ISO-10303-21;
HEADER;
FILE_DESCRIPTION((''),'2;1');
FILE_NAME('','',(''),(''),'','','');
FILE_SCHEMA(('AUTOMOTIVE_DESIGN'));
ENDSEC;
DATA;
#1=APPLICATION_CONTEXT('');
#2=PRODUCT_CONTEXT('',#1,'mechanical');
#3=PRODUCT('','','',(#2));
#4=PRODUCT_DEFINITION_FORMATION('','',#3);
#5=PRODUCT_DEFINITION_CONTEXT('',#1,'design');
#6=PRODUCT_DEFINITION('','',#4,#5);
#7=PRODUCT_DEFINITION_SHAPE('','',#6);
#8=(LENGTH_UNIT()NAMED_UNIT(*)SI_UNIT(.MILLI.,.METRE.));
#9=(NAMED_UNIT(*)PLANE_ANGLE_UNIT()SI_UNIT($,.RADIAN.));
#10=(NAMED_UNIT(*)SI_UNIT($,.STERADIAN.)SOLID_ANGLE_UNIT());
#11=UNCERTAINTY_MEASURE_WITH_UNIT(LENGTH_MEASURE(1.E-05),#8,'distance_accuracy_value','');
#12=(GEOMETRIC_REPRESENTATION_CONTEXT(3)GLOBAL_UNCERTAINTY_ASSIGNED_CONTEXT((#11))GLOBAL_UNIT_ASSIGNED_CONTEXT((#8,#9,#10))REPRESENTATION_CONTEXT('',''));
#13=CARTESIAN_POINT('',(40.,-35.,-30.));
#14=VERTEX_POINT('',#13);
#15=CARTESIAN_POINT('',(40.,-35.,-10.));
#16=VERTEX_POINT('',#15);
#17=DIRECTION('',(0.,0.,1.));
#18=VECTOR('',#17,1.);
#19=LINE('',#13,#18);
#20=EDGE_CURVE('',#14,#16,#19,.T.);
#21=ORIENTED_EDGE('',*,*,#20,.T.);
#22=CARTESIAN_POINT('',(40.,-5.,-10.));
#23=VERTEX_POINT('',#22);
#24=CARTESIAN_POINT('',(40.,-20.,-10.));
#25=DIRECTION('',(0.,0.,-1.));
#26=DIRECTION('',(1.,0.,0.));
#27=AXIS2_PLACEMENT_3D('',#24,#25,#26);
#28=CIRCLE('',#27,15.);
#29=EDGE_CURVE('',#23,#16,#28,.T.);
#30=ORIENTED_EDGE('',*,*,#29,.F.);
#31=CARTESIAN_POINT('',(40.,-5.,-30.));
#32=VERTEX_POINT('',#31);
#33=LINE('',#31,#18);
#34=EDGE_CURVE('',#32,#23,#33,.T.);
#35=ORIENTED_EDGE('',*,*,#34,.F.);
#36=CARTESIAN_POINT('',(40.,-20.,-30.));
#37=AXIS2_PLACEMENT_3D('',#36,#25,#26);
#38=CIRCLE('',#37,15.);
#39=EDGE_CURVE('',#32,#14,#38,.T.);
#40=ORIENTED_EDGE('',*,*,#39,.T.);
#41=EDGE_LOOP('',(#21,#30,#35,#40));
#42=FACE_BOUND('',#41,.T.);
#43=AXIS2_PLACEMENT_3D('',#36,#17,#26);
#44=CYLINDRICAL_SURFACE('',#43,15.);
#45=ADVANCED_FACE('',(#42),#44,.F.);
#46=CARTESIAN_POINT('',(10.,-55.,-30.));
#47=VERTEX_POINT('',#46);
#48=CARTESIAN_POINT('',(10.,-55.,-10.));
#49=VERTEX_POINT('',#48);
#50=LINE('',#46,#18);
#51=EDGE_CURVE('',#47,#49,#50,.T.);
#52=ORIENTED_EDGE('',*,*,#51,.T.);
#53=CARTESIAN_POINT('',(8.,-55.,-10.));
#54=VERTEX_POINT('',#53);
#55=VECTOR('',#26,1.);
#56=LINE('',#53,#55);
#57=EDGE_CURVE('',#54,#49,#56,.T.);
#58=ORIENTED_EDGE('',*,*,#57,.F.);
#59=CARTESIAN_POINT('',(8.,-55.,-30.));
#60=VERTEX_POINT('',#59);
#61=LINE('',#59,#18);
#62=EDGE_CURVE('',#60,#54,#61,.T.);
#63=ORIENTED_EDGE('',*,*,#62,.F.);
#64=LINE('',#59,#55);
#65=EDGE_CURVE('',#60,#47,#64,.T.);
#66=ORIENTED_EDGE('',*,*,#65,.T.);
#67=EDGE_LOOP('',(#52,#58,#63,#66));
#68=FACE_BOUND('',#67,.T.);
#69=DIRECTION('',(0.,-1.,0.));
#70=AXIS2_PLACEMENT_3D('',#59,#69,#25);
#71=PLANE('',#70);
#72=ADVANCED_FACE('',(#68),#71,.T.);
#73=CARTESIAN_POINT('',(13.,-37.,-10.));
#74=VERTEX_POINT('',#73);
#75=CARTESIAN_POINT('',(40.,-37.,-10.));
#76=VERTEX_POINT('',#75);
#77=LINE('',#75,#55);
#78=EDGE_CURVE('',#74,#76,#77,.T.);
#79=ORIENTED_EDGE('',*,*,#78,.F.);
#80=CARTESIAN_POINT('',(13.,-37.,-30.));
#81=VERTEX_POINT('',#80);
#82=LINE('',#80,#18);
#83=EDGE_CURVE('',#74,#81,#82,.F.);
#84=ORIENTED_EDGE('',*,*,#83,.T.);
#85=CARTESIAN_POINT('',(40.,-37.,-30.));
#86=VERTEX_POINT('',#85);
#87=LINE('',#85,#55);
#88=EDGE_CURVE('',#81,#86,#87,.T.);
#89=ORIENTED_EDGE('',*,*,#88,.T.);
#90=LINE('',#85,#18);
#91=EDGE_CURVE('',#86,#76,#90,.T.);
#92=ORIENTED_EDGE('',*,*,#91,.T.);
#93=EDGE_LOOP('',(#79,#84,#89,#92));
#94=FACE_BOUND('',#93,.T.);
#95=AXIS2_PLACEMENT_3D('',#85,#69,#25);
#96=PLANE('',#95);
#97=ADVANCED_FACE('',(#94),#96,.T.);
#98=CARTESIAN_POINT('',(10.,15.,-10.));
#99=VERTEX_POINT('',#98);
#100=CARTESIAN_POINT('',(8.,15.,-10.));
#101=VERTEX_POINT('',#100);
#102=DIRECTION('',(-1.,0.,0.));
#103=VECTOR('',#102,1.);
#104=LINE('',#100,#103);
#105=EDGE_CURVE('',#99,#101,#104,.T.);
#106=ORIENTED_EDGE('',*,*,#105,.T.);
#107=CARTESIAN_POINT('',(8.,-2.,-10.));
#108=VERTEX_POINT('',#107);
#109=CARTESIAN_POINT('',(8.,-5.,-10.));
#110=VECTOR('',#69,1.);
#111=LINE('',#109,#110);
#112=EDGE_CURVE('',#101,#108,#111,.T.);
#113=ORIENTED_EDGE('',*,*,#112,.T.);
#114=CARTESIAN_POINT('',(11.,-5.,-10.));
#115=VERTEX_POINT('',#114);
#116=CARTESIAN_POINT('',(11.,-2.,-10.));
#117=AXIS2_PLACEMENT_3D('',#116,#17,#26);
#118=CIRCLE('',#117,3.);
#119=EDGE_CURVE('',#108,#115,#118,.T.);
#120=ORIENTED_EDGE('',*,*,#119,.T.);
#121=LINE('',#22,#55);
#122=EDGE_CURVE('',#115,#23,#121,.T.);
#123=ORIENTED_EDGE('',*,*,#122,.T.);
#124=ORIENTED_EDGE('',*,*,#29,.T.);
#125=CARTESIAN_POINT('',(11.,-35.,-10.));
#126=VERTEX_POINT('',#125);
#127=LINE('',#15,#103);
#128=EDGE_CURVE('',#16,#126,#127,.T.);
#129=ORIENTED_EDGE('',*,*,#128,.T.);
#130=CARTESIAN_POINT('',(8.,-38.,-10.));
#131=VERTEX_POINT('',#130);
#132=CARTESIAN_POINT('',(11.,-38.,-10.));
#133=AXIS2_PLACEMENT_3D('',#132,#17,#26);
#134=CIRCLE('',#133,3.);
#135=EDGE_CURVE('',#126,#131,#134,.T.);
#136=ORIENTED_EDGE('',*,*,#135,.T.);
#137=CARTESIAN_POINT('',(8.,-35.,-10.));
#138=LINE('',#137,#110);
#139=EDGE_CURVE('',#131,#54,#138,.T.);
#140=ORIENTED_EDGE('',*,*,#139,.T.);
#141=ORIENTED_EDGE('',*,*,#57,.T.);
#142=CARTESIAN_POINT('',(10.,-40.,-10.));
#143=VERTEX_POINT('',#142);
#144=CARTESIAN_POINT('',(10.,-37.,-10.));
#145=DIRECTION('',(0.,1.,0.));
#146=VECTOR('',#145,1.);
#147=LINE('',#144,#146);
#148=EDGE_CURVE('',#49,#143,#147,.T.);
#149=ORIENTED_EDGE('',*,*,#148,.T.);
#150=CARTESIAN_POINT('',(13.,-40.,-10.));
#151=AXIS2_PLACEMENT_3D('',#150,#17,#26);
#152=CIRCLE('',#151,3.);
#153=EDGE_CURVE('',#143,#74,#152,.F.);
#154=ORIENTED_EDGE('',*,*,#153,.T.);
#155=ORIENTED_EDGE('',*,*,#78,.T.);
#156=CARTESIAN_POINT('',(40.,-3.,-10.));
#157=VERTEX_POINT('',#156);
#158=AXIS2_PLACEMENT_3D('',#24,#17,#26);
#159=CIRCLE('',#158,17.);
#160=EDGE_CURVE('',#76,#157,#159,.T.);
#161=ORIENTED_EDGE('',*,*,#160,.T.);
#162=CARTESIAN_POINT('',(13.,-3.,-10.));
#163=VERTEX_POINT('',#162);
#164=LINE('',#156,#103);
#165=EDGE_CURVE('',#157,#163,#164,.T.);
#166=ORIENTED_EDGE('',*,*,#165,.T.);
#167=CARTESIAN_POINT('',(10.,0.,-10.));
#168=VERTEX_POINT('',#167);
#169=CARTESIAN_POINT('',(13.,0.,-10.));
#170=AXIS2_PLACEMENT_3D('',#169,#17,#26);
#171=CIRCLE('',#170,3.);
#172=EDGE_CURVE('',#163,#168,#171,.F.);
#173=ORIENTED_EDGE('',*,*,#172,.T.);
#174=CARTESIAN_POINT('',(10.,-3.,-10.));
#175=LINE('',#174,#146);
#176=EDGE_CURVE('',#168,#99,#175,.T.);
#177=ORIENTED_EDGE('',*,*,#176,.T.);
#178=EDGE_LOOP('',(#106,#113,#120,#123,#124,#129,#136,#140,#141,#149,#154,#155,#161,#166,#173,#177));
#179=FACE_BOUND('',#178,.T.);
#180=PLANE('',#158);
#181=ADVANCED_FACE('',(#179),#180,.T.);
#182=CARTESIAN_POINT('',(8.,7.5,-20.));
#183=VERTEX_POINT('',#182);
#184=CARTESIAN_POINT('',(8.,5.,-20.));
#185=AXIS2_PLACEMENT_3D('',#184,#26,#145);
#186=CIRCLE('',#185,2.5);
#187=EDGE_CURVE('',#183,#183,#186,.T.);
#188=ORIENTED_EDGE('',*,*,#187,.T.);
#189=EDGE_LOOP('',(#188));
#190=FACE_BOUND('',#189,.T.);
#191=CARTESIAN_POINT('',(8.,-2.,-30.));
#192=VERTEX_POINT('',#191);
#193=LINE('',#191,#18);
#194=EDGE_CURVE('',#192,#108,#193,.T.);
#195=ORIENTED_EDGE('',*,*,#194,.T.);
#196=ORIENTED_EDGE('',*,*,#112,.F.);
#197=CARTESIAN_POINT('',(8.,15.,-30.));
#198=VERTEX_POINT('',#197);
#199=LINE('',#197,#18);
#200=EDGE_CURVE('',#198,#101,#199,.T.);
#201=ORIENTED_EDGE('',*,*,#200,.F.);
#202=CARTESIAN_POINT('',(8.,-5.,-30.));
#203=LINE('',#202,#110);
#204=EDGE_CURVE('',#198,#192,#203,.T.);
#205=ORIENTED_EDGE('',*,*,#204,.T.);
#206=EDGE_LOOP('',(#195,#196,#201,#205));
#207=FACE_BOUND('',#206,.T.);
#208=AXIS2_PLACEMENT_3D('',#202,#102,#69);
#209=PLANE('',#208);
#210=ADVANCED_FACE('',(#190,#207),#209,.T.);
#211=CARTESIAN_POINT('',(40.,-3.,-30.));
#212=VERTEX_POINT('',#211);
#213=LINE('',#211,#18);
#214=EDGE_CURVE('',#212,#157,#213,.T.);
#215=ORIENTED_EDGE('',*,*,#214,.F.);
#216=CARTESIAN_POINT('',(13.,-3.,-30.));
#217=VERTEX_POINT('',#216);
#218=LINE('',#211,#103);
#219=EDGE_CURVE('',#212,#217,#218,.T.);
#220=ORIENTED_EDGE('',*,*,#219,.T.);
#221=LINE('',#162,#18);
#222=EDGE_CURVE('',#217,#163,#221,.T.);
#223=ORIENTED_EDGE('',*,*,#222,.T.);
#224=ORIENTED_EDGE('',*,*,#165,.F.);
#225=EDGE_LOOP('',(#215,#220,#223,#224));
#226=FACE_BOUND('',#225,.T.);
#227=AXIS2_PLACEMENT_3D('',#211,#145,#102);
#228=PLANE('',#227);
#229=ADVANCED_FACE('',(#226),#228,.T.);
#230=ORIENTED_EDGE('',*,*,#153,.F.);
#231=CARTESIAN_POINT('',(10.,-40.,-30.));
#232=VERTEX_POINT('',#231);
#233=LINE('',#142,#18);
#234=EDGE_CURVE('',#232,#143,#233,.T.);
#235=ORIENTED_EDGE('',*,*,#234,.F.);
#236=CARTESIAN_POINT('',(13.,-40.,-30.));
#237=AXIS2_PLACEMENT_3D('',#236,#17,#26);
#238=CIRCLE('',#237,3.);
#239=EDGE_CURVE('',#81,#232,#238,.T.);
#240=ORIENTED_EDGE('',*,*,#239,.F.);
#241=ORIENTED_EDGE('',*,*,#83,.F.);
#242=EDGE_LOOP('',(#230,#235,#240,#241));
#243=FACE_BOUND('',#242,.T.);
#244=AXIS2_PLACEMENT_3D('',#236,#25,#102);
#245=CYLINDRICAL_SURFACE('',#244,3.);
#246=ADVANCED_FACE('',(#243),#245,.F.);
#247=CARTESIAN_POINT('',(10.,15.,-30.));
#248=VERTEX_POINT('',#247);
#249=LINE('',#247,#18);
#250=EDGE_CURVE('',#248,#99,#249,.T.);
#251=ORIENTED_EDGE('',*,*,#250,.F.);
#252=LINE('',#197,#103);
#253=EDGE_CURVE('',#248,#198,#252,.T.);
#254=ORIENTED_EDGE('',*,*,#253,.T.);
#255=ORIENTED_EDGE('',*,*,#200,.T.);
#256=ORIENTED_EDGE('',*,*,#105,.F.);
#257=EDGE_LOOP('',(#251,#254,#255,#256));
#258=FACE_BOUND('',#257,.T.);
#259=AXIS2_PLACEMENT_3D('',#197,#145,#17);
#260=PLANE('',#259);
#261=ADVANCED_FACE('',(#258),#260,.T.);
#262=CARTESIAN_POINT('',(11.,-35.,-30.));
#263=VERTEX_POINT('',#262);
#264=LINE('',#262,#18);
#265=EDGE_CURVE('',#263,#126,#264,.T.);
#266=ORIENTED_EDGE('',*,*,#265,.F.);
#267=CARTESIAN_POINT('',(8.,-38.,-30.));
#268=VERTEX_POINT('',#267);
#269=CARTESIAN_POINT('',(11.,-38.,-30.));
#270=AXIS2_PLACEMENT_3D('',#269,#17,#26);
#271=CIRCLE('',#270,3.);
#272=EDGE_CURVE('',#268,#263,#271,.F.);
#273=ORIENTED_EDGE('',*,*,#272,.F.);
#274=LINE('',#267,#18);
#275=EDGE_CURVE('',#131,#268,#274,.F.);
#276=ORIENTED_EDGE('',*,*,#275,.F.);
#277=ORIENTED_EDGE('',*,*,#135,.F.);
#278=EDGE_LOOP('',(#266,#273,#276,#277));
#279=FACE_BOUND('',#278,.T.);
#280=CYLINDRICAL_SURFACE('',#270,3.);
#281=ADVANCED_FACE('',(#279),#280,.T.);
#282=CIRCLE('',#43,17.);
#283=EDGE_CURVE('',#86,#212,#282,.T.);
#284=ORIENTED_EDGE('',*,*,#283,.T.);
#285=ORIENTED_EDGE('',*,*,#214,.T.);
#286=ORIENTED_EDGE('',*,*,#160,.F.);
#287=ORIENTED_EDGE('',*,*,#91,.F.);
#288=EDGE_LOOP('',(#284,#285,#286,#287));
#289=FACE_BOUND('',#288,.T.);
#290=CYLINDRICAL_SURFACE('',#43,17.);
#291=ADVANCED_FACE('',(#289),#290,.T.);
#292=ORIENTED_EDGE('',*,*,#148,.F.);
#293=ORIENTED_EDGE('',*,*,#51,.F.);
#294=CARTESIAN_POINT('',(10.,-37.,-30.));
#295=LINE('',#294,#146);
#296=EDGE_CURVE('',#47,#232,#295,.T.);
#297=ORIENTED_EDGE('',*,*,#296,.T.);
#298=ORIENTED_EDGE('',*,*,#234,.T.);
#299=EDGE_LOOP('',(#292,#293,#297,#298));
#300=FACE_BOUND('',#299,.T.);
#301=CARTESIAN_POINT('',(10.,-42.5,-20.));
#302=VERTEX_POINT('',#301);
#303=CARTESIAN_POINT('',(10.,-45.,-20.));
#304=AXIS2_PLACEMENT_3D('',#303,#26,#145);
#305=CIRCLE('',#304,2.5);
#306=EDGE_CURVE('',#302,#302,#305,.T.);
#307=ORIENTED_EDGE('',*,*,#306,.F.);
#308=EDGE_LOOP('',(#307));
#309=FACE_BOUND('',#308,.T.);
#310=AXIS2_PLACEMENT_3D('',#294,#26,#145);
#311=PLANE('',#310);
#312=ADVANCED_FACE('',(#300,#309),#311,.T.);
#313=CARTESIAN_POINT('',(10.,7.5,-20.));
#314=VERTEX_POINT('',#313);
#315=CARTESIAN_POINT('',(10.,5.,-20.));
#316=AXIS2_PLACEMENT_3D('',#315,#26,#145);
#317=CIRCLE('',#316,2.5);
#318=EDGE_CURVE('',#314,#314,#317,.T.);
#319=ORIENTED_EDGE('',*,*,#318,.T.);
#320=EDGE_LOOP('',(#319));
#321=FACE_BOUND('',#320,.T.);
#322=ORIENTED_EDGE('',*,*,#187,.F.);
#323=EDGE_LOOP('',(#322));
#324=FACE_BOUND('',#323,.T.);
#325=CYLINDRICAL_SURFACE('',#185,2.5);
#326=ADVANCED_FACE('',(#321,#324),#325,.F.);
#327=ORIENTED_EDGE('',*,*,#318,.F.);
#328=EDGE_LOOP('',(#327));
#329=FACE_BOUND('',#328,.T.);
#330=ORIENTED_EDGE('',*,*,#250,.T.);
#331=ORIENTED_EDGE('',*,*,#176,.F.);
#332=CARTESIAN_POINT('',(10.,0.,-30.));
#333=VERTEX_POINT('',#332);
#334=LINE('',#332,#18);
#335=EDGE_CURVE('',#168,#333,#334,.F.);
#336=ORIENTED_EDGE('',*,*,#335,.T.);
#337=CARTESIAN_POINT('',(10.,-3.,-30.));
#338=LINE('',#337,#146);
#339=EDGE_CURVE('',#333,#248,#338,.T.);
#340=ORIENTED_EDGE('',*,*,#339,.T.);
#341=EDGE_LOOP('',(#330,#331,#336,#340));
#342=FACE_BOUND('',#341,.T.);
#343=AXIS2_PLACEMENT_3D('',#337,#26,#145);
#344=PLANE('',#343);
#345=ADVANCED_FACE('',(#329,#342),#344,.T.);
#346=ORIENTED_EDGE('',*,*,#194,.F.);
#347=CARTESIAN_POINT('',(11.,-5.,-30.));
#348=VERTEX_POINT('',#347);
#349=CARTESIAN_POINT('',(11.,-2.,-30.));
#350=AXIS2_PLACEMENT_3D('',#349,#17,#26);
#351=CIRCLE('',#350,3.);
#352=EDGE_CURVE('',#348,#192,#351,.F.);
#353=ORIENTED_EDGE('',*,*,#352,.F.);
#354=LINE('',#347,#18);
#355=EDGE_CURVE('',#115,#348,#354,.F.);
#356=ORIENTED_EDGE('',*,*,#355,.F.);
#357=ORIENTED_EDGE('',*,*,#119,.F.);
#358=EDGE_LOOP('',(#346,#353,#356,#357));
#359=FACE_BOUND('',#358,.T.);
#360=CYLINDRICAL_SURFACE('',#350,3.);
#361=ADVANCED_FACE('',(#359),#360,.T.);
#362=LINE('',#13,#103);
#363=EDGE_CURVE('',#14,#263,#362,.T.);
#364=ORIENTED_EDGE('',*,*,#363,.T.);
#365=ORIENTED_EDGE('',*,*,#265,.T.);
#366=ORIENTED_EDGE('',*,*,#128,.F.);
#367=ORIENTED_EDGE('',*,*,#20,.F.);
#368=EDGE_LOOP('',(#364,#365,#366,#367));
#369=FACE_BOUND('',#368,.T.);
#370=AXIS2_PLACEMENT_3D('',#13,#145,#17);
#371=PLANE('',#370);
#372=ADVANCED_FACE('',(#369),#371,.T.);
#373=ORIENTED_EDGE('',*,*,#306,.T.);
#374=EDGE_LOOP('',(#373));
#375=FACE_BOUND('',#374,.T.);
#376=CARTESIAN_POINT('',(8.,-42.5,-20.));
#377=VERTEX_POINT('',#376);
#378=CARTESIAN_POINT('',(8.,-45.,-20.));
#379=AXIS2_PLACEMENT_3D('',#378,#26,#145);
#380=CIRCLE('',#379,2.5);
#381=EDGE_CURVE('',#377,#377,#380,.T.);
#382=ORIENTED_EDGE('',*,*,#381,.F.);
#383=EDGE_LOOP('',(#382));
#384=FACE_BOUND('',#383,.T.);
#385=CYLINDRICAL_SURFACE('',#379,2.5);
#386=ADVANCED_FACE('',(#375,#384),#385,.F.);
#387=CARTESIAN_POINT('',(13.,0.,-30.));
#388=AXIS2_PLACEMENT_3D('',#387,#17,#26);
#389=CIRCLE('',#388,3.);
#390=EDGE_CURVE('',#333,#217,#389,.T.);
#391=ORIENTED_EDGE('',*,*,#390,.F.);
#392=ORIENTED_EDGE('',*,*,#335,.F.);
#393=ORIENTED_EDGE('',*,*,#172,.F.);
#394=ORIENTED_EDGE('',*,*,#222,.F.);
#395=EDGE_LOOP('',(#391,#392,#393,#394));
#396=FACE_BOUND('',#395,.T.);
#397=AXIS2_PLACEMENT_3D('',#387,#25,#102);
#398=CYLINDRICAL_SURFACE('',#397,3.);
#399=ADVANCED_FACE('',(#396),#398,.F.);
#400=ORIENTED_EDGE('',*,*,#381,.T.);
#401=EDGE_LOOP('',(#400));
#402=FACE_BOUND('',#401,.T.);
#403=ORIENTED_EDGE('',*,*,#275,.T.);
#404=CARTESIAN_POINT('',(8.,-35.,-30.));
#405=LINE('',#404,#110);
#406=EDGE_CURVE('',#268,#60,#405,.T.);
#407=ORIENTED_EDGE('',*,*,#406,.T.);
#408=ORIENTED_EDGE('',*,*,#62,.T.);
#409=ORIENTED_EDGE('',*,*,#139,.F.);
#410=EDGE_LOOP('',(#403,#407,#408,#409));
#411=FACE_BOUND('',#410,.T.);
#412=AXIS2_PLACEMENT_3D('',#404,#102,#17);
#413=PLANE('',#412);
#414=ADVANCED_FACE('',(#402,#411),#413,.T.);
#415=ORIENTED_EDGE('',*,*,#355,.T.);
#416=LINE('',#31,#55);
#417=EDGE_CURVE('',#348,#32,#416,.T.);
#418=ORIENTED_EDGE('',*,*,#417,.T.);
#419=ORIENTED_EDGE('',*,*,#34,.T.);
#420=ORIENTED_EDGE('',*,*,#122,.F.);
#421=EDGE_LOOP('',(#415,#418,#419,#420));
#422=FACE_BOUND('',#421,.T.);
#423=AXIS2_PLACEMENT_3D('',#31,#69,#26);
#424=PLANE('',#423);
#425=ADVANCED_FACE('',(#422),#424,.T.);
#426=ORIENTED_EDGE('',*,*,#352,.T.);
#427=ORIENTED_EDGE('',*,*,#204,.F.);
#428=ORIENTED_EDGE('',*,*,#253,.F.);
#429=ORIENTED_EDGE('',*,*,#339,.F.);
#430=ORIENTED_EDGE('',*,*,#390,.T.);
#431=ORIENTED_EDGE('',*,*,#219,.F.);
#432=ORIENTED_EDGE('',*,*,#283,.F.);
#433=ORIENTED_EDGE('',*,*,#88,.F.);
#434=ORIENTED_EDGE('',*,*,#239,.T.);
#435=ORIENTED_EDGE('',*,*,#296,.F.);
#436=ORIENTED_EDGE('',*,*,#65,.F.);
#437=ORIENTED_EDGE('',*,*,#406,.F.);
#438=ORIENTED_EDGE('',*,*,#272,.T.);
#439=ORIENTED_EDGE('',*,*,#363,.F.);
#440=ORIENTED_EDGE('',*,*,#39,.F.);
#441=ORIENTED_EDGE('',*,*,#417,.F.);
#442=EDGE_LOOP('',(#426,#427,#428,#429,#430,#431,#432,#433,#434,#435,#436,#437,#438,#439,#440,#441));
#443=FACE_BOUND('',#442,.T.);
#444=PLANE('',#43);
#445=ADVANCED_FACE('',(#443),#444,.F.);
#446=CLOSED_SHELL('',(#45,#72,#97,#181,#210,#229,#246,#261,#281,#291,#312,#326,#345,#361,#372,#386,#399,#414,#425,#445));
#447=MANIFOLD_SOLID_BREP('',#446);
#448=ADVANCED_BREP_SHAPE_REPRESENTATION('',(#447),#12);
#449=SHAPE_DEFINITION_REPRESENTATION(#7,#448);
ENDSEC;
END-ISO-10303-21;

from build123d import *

# Parameters (mm, degrees)
BOSS_EXTRUDE1_START = -10
BOSS_EXTRUDE1_DEPTH = 20
SKETCH2_R           = 2.5
CUT_EXTRUDE1_DEPTH  = 79.319856997
FILLET1_R           = 3


with BuildPart() as part:
    # Sketch1 → Boss-Extrude1 (new body)
    with BuildSketch(Plane.XY.offset(BOSS_EXTRUDE1_START)):
        with BuildLine():
            Line((40, -5), (8, -5))
            Line((8, -5), (8, 15))
            Line((8, 15), (10, 15))
            Line((10, 15), (10, -3))
            Line((10, -3), (40, -3))
            ThreePointArc((40, -3), (57, -20), (40, -37))
            Line((40, -37), (10, -37))
            Line((10, -37), (10, -55))
            Line((10, -55), (8, -55))
            Line((8, -55), (8, -35))
            Line((8, -35), (40, -35))
            ThreePointArc((40, -35), (55, -20), (40, -5))
        make_face()
    extrude(amount=-BOSS_EXTRUDE1_DEPTH)

    # Sketch2 → Cut-Extrude1 (cut, through all)
    with BuildSketch(Plane(origin=(10, 0, 0), x_dir=(0, 0, -1), z_dir=(1, 0, 0))):
        with Locations(Location((20, 5, 0), (0, 0, 90))):
            Circle(SKETCH2_R)
        with Locations(Location((20, -45, 0), (0, 0, 90))):
            Circle(SKETCH2_R)
    extrude(amount=-CUT_EXTRUDE1_DEPTH, mode=Mode.SUBTRACT)

    # Fillet1
    fillet1_edges = [part.edges().sort_by_distance(p)[0] for p in [
        (10, -37, -20),
        (8, -35, -20),
        (8, -5, -20),
        (10, -3, -20),
    ]]
    fillet(fillet1_edges, radius=FILLET1_R)


solid = part.part
